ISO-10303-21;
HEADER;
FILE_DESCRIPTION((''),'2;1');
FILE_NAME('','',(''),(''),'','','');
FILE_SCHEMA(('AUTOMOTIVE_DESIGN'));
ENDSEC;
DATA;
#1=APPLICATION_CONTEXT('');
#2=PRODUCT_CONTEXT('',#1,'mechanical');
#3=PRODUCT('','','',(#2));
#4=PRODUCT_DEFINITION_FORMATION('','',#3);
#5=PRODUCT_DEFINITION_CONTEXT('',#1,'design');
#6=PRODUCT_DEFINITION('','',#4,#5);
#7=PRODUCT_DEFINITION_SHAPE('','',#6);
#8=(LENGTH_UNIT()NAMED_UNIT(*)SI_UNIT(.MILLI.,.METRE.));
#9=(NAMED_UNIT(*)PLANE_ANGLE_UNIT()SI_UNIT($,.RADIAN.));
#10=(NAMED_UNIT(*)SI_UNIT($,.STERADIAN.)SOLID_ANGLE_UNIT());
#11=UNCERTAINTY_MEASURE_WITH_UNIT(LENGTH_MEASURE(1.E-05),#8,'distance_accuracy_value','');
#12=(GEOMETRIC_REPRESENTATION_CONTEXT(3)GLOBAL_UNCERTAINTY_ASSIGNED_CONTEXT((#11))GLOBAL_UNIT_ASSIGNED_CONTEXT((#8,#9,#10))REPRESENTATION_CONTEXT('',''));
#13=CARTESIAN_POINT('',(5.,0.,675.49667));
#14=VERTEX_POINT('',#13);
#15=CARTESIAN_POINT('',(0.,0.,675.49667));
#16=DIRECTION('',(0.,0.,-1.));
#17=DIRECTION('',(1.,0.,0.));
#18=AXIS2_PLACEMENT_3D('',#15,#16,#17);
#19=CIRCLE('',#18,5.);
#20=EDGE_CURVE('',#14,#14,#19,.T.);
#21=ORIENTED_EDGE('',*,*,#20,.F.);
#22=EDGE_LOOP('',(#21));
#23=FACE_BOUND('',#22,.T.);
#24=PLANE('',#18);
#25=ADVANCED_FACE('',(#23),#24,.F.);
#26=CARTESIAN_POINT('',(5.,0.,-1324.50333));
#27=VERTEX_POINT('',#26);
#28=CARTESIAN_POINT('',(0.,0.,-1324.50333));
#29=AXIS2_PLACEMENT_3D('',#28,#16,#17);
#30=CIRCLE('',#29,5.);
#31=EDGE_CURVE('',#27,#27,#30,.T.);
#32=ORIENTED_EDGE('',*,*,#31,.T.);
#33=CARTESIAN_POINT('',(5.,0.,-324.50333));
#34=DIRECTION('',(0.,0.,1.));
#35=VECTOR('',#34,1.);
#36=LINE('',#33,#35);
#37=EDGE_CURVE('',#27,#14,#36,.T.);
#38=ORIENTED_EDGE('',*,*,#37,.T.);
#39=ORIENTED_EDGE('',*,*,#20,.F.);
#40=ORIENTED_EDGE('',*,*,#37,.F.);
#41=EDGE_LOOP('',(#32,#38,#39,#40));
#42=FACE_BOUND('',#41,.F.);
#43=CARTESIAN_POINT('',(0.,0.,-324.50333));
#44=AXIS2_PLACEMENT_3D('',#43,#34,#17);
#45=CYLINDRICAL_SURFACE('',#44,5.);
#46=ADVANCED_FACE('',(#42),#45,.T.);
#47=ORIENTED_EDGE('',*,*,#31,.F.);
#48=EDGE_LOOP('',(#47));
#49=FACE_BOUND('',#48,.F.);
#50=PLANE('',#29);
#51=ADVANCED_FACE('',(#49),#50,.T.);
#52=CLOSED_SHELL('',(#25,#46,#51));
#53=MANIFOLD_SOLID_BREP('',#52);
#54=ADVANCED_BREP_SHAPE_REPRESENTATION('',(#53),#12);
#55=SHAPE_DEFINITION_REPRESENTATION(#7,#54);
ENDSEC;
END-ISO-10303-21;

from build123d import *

# Parameters (mm, degrees)
F0_W = 5
F0_H = 2000


with BuildPart() as f1:
    # F0 (on Front) → F1 (revolve)
    with BuildSketch(Plane.XZ):
        with Locations((2.5, -324.50333)):
            Rectangle(F0_W, F0_H)
    revolve(axis=Axis((0, 0, -324.50333), (0, 0, -1)))


solid = f1.part
